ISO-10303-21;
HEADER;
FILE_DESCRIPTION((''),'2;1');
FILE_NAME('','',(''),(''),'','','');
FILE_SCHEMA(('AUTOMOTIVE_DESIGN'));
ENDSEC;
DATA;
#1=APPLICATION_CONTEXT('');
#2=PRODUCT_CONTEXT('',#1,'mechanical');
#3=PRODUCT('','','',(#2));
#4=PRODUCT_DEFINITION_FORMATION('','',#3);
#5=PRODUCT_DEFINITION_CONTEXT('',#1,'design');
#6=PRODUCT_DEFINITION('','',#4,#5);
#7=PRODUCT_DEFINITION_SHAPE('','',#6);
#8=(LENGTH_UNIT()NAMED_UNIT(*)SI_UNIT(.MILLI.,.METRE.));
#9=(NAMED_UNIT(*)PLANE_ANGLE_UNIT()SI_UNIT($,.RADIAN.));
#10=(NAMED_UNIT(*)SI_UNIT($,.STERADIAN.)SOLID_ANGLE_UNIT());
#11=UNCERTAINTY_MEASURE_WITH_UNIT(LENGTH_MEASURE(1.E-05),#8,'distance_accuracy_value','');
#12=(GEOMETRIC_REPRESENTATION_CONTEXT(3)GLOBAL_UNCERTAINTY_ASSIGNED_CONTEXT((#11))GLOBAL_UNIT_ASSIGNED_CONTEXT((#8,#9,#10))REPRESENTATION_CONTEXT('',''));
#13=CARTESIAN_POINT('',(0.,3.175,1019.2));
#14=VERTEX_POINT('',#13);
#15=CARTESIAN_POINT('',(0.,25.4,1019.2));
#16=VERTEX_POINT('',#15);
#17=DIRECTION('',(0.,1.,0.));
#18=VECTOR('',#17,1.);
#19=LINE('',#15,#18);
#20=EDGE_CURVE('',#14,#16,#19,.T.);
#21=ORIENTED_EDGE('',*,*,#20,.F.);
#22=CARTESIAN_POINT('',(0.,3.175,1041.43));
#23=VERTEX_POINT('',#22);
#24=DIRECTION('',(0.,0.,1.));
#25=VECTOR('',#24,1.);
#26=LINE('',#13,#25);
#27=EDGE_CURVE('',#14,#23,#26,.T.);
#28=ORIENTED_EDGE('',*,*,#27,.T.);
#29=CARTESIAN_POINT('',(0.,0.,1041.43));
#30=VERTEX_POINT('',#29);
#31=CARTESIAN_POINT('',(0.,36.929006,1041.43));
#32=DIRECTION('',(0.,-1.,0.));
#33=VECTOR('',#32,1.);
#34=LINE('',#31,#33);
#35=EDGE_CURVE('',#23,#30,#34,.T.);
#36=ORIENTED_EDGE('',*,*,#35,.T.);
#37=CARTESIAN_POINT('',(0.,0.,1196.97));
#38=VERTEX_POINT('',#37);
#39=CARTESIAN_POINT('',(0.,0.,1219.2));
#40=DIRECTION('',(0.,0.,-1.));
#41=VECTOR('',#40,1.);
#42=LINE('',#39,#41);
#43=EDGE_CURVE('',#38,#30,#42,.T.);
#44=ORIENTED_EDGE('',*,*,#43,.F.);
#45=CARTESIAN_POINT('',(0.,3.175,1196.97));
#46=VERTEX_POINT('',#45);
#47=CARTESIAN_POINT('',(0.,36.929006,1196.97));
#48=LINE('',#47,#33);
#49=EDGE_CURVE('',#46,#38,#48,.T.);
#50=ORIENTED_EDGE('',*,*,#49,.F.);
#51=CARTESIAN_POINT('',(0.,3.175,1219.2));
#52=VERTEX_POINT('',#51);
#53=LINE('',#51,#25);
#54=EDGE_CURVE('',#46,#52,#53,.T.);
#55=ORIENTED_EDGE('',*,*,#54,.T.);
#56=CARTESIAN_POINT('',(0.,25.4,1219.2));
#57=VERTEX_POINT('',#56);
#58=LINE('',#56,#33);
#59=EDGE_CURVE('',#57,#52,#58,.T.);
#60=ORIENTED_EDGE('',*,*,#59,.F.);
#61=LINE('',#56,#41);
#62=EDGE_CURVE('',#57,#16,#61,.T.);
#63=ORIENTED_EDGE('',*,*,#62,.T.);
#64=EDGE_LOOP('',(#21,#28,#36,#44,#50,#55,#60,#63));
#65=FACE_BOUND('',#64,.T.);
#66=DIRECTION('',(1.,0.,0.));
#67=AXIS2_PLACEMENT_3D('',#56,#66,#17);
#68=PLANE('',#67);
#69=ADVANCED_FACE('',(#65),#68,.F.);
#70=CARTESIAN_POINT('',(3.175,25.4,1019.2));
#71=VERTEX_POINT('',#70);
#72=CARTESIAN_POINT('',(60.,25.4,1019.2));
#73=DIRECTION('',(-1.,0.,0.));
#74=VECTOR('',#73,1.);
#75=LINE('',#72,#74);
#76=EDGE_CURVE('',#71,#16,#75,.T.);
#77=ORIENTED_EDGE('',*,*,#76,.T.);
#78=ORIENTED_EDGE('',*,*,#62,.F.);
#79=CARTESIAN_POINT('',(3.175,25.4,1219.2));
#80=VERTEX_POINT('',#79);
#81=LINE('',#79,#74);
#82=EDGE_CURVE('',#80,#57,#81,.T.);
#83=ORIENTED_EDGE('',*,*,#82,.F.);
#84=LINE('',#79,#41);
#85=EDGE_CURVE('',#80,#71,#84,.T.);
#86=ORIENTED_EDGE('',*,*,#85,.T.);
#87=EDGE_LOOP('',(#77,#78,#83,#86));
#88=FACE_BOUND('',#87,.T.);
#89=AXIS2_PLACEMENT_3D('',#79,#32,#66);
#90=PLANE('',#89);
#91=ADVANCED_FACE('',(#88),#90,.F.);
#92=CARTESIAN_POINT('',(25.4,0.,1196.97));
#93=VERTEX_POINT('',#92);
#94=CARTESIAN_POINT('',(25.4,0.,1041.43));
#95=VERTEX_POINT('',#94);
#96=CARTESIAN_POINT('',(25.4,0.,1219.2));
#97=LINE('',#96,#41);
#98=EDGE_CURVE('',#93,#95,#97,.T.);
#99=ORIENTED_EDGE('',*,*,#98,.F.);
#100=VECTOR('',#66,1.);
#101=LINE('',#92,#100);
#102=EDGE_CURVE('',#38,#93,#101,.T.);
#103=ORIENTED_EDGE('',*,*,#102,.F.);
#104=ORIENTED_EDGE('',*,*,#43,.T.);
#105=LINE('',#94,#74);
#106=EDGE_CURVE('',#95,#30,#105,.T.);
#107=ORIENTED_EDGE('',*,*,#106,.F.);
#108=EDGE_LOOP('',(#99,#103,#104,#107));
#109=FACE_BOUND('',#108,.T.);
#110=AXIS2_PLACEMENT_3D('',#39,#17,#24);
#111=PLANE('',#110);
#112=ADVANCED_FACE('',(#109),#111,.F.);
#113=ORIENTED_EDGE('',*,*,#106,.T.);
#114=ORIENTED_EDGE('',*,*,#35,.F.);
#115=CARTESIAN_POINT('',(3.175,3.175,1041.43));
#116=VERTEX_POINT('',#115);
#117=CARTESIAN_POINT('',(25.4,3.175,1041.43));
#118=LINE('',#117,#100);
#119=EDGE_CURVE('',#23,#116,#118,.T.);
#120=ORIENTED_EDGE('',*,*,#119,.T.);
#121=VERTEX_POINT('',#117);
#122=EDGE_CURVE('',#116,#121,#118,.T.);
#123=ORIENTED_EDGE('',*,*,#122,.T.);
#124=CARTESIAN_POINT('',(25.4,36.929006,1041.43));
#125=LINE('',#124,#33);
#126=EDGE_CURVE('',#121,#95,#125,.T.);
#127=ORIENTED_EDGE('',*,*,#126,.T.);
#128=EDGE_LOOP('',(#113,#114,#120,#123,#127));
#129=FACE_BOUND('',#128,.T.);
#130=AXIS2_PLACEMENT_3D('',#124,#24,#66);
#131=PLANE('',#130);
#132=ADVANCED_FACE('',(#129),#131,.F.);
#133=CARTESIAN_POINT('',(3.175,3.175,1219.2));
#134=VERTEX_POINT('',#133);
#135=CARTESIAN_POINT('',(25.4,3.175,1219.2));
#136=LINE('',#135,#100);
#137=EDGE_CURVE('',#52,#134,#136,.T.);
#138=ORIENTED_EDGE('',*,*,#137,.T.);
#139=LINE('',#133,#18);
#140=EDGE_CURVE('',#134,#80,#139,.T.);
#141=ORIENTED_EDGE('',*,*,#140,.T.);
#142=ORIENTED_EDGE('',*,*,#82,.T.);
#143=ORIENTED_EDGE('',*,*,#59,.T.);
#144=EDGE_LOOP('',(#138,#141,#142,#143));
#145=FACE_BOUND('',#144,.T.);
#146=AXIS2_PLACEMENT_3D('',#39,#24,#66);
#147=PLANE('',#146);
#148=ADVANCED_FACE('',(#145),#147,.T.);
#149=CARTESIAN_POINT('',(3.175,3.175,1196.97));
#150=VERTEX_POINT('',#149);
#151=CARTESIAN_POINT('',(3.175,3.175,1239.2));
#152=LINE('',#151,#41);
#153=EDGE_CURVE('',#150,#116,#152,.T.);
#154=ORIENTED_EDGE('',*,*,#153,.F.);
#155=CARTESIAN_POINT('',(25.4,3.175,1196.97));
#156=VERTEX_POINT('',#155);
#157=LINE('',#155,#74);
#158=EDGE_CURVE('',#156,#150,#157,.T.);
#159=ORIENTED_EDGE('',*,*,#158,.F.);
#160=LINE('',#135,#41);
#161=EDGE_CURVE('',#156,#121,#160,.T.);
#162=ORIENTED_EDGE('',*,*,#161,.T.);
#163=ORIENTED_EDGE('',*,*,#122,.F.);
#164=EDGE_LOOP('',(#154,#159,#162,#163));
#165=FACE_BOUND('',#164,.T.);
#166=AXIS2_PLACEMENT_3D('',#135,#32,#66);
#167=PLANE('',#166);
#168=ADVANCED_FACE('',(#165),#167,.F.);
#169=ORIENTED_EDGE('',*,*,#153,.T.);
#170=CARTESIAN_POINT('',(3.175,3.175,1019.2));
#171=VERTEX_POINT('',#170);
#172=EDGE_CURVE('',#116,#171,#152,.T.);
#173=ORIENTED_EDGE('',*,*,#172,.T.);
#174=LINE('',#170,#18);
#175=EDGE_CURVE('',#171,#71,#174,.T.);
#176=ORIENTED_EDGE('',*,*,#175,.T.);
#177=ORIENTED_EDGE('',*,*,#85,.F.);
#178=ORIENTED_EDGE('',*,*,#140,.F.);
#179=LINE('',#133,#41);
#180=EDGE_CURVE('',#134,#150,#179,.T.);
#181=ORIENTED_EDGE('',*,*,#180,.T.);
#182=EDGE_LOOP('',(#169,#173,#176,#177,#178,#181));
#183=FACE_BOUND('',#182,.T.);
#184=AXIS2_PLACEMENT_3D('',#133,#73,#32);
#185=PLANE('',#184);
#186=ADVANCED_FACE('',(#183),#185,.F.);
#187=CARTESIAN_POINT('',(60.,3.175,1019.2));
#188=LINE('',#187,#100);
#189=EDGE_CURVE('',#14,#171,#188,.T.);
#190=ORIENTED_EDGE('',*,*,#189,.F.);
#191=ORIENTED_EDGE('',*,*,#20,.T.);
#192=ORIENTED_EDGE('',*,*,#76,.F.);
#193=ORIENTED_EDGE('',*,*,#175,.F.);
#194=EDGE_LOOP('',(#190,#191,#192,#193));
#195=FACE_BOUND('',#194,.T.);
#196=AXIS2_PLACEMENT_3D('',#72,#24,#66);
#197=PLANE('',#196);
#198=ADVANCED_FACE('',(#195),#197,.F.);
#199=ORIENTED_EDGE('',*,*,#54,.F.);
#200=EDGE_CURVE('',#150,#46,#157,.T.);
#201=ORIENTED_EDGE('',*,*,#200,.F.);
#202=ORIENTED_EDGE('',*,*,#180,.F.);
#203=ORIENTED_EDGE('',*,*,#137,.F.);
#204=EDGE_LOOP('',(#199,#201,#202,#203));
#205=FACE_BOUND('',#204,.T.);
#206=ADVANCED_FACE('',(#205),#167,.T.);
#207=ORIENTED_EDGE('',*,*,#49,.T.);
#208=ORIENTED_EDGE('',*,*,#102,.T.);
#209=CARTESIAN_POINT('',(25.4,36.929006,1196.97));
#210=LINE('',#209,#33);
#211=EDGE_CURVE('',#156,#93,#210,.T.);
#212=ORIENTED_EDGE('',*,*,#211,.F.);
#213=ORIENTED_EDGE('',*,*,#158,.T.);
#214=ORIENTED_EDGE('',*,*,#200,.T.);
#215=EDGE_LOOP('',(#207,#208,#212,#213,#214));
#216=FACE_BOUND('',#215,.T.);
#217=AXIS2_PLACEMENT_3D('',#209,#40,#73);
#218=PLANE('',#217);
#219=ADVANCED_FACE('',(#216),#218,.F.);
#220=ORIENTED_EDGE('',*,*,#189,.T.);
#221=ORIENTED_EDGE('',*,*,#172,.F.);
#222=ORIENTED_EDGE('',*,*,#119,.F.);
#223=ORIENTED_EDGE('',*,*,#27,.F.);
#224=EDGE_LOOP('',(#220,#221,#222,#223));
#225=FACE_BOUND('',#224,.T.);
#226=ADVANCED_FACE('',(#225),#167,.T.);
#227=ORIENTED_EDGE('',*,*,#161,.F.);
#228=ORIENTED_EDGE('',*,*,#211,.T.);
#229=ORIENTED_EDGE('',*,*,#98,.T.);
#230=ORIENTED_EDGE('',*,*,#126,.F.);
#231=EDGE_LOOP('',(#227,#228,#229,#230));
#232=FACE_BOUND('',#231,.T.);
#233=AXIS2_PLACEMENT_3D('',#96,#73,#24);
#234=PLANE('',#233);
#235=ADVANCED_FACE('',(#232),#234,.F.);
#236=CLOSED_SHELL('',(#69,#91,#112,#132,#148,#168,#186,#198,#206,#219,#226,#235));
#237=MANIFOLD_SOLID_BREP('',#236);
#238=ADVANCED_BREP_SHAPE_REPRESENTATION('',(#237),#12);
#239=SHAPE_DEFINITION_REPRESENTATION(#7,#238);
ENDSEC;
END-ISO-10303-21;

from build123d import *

# Parameters (mm, degrees)
BOSS_EXTRUDE1_DEPTH = 1219.2
FILLET1_R           = 0.4064
SKETCH4_W           = 2238.4
SKETCH4_H           = 103.278519729
CUT_EXTRUDE1_DEPTH  = 60
SKETCH5_W           = 25.4
SKETCH5_H           = 22.23
CUT_EXTRUDE2_DEPTH  = 3.175
SKETCH6_W           = 25.4
SKETCH6_H           = 22.23
CUT_EXTRUDE3_DEPTH  = 3.175
SKETCH7_W           = 1.26890891
SKETCH7_H           = 1.024965533
CUT_EXTRUDE4_DEPTH  = 220


with BuildPart() as part:
    # Sketch3 → Boss-Extrude1 (new, symmetric)
    with BuildSketch(Plane.XY):
        Polygon((3.175, 25.4), (0, 25.4), (0, 0), (25.4, 0), (25.4, 3.175), (3.175, 3.175), align=None)
    extrude(amount=BOSS_EXTRUDE1_DEPTH, both=True)

    # Fillet1
    fillet1_edges = [part.edges().sort_by_distance(p)[0] for p in [
        (3.175, 3.175, 0),
    ]]
    fillet(fillet1_edges, radius=FILLET1_R)

    # Sketch4 → Cut-Extrude1 (cut)
    with BuildSketch(Plane.ZY):
        with Locations((-100, -26.239259864)):
            Rectangle(SKETCH4_W, SKETCH4_H)
    extrude(amount=-CUT_EXTRUDE1_DEPTH, mode=Mode.SUBTRACT)

    # Sketch5 → Cut-Extrude2 (cut)
    with BuildSketch(Plane.XZ):
        with Locations((12.7, 1030.315)):
            Rectangle(SKETCH5_W, SKETCH5_H)
    extrude(amount=-CUT_EXTRUDE2_DEPTH, mode=Mode.SUBTRACT)

    # Sketch6 → Cut-Extrude3 (cut)
    with BuildSketch(Plane.XZ):
        with Locations((12.7, 1208.085)):
            Rectangle(SKETCH6_W, SKETCH6_H)
    extrude(amount=-CUT_EXTRUDE3_DEPTH, mode=Mode.SUBTRACT)

    # Sketch7 → Cut-Extrude4 (cut)
    with BuildSketch(Plane(origin=(0, 0, 1019.2), x_dir=(-1, 0, 0), z_dir=(0, 0, -1))):
        with Locations((-3.809454455, 3.687482767)):
            Rectangle(SKETCH7_W, SKETCH7_H)
    extrude(amount=-CUT_EXTRUDE4_DEPTH, mode=Mode.SUBTRACT)


solid = part.part
